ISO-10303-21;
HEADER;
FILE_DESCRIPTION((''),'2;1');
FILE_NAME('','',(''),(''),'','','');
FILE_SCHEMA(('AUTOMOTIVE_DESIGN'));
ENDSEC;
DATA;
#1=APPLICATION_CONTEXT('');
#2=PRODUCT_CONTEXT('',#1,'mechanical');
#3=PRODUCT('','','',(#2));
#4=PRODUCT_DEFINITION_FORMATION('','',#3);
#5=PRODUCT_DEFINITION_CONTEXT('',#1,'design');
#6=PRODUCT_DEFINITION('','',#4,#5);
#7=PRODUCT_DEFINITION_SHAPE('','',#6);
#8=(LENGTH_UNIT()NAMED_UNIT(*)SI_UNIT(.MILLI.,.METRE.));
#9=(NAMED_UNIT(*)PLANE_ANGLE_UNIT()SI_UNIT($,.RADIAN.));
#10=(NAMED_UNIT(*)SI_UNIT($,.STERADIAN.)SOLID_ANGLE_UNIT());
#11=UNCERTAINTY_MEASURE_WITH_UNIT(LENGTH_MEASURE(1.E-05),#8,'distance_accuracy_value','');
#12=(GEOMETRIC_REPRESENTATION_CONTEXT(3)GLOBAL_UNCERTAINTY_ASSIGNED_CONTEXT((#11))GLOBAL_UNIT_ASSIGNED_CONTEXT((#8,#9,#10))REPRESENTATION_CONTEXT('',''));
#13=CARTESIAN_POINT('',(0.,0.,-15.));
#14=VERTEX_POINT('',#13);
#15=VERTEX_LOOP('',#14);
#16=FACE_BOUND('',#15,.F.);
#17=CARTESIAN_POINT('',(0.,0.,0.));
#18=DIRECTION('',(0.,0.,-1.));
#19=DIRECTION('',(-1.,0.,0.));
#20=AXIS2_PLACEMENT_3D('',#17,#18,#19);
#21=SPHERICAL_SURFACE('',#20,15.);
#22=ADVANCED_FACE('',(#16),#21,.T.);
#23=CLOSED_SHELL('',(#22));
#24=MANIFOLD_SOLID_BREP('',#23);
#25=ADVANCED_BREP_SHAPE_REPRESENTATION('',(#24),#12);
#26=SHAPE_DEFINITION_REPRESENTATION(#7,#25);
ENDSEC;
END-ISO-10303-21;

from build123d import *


with BuildPart() as part:
    # 草图1 → 旋转1 (revolve)
    with BuildSketch(Plane(origin=(0, 0, 0), x_dir=(1, 0, 0), z_dir=(0, 1, 0))):
        with BuildLine():
            Line((0, 15), (0, -15))
            ThreePointArc((0, -15), (-15, 0), (0, 15))
        make_face()
    revolve(axis=Axis((0, 0, -15), (0, 0, 1)))


solid = part.part
